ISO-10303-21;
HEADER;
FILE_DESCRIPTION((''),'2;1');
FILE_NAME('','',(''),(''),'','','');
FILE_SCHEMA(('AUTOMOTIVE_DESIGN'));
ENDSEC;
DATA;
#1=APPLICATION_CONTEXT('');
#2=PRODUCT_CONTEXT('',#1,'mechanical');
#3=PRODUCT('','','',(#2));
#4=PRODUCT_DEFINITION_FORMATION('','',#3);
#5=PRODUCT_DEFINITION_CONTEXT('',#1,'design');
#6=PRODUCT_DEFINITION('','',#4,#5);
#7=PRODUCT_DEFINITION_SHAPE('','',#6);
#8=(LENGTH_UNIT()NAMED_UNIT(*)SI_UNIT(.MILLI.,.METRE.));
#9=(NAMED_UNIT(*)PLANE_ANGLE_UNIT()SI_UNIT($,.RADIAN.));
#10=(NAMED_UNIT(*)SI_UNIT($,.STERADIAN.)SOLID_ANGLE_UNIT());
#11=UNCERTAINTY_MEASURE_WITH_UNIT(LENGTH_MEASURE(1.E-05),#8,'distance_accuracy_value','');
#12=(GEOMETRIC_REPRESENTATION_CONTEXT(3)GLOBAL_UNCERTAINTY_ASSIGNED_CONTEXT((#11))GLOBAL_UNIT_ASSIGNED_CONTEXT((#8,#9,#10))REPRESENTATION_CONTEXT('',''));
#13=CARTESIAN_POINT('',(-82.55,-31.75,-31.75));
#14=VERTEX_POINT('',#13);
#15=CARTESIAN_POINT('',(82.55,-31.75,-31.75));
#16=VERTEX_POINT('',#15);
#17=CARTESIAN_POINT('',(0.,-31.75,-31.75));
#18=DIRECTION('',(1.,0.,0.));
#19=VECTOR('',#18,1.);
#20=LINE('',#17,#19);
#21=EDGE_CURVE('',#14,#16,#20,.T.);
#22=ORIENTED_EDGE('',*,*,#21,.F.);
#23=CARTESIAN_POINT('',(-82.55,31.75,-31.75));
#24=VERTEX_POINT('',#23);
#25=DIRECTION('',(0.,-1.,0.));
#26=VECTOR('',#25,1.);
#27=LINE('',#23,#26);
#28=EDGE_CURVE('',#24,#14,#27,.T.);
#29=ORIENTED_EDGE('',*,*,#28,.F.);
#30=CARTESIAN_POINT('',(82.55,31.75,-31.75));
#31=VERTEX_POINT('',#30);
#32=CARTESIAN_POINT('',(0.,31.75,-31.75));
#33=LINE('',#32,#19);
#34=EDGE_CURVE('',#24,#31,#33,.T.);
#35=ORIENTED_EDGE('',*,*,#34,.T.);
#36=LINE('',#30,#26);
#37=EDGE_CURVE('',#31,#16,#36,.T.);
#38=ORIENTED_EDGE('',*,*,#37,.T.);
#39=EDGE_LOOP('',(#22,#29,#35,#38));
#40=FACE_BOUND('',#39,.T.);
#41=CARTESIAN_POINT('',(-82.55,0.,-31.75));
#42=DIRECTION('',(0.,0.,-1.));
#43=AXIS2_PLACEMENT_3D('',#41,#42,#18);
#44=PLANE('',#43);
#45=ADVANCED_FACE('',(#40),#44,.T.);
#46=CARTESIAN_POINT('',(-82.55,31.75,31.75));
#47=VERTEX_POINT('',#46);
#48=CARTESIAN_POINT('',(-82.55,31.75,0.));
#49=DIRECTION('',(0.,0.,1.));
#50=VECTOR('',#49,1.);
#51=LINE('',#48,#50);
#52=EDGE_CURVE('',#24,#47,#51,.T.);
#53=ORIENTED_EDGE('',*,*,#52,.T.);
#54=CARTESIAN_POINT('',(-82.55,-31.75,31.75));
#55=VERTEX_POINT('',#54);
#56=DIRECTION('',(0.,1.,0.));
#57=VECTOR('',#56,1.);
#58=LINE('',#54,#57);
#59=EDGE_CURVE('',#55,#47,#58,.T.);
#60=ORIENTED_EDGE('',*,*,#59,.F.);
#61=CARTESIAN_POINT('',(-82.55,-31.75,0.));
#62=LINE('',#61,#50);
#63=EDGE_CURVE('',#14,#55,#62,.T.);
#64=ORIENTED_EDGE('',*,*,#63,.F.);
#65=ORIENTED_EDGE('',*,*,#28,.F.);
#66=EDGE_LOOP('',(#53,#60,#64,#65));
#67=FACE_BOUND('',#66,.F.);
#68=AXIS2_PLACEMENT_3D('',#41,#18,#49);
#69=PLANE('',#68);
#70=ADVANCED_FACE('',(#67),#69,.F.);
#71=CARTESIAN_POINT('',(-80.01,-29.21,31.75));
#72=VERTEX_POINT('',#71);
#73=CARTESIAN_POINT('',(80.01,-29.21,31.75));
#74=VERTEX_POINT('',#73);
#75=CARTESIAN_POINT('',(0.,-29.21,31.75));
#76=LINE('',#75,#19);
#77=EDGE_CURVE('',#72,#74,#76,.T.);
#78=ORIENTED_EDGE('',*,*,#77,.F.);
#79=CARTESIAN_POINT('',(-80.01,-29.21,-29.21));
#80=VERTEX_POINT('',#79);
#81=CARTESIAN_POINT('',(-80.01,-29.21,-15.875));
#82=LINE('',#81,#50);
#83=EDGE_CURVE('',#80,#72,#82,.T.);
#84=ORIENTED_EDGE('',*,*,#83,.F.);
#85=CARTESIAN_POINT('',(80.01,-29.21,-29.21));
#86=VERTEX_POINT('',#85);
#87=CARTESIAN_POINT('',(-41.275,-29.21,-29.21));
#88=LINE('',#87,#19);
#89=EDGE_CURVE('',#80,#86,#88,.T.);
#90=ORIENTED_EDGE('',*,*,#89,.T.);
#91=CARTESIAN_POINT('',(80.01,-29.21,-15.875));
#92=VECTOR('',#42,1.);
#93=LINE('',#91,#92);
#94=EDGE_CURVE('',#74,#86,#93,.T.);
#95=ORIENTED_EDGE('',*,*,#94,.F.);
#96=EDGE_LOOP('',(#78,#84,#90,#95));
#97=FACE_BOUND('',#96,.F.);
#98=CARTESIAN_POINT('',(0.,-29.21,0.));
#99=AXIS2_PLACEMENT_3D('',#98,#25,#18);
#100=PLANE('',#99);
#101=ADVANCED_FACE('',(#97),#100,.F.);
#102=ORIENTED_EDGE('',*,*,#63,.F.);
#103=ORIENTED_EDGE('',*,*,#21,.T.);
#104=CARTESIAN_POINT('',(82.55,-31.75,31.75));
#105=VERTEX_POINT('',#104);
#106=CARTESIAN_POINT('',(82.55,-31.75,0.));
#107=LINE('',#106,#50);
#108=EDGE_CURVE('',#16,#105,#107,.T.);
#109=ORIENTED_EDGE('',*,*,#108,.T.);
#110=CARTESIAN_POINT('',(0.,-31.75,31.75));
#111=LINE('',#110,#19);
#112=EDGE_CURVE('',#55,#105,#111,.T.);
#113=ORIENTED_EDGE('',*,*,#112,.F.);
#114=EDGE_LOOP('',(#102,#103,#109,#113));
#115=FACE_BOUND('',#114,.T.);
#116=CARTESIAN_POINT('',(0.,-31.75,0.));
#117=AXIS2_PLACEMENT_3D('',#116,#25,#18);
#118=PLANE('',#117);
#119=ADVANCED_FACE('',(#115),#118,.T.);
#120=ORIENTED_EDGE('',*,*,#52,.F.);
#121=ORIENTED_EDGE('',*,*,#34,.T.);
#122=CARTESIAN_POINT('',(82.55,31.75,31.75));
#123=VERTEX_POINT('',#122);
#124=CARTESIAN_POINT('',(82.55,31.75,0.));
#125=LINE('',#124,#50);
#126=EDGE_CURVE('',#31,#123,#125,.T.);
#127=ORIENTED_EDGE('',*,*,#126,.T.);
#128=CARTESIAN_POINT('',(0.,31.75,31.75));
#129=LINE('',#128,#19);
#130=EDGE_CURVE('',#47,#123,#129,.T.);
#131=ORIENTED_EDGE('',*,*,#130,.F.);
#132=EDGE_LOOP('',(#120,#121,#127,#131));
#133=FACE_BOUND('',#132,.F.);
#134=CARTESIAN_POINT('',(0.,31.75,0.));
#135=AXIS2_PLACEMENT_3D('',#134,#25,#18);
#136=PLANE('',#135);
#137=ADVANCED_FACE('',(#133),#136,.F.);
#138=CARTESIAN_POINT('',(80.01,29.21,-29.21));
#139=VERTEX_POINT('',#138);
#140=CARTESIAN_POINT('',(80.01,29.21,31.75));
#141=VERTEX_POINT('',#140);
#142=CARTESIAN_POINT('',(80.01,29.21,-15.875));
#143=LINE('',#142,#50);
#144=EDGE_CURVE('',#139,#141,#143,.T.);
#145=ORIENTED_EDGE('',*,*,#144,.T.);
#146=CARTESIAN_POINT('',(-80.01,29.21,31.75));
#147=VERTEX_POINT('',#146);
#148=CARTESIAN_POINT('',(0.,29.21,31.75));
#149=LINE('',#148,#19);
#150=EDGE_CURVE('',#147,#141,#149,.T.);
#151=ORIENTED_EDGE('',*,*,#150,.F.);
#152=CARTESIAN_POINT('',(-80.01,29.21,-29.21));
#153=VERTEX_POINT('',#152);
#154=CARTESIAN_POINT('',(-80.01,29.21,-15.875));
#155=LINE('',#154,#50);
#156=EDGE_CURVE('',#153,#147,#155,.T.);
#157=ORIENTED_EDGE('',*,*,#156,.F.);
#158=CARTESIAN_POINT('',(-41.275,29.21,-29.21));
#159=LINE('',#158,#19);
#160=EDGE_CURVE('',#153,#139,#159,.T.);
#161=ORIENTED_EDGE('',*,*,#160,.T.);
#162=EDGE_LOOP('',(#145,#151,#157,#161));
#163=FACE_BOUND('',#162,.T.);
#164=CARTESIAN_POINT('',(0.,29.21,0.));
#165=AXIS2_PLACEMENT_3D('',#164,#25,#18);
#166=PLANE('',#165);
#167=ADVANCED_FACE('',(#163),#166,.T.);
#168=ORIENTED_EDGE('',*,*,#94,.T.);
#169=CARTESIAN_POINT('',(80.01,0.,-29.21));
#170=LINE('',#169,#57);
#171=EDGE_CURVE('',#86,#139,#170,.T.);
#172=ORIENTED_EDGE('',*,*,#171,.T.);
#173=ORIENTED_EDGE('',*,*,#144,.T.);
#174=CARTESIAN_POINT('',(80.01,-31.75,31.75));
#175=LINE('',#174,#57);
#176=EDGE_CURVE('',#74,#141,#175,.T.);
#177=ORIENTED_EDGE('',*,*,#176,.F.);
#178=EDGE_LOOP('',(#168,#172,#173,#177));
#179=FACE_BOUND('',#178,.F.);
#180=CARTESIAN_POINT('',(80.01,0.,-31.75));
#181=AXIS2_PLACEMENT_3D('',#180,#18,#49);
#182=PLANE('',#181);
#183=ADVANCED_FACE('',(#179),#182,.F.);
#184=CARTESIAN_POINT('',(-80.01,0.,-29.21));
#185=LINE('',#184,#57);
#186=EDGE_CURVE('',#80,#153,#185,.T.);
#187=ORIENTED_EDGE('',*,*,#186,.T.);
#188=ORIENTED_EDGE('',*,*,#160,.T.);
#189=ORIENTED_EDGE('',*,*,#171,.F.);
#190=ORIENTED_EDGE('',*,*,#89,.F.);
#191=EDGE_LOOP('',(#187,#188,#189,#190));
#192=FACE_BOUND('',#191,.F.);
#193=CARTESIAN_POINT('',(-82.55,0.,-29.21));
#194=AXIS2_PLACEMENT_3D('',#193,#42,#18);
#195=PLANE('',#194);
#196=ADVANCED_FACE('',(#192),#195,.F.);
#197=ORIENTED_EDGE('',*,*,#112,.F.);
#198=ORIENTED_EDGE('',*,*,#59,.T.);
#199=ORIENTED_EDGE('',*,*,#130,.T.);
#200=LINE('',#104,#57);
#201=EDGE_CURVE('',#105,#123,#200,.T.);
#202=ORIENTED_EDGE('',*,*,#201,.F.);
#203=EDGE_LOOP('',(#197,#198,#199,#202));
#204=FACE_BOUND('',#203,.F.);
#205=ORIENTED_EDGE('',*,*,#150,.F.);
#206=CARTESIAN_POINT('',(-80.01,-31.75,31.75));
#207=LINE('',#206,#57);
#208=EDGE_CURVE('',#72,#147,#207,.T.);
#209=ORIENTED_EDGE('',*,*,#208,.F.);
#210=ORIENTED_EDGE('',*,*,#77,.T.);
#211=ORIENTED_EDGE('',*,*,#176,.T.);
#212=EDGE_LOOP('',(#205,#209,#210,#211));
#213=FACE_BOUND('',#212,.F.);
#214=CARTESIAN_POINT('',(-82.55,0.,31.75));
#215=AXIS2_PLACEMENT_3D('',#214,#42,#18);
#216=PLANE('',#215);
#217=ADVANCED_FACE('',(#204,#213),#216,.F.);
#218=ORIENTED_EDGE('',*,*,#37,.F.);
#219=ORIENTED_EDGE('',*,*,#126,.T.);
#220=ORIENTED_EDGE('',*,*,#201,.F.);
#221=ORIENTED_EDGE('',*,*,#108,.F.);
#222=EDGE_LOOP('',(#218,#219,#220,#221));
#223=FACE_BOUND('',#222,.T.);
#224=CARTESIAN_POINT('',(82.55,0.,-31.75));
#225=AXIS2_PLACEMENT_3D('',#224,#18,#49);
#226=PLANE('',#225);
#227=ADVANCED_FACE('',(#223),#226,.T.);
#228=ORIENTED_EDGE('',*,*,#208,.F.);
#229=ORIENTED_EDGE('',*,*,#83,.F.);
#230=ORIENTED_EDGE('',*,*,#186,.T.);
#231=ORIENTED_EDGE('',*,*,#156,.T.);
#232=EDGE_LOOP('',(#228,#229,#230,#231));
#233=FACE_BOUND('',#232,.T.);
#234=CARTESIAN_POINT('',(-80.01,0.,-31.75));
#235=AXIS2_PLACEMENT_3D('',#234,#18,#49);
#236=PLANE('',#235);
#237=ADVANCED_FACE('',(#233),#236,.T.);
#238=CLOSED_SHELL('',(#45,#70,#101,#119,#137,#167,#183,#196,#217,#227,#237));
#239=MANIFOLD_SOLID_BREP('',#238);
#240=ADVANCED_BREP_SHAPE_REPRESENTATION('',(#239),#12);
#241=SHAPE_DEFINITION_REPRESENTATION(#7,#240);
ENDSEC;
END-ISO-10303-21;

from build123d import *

# Parameters (mm, degrees)
F0_W     = 165.1
F0_H     = 63.5
F1_DEPTH = 31.75
F2_T     = -2.54


with BuildPart() as f1:
    # F0 (on Front) → F1 (new body, symmetric)
    with BuildSketch(Plane.XZ):
        Rectangle(F0_W, F0_H)
    extrude(amount=F1_DEPTH, both=True)

    # F2
    f2_openings = [f1.faces().sort_by_distance(p)[0] for p in [
        (0, 0, 31.75),
    ]]
    offset(amount=F2_T, openings=f2_openings)


solid = f1.part
